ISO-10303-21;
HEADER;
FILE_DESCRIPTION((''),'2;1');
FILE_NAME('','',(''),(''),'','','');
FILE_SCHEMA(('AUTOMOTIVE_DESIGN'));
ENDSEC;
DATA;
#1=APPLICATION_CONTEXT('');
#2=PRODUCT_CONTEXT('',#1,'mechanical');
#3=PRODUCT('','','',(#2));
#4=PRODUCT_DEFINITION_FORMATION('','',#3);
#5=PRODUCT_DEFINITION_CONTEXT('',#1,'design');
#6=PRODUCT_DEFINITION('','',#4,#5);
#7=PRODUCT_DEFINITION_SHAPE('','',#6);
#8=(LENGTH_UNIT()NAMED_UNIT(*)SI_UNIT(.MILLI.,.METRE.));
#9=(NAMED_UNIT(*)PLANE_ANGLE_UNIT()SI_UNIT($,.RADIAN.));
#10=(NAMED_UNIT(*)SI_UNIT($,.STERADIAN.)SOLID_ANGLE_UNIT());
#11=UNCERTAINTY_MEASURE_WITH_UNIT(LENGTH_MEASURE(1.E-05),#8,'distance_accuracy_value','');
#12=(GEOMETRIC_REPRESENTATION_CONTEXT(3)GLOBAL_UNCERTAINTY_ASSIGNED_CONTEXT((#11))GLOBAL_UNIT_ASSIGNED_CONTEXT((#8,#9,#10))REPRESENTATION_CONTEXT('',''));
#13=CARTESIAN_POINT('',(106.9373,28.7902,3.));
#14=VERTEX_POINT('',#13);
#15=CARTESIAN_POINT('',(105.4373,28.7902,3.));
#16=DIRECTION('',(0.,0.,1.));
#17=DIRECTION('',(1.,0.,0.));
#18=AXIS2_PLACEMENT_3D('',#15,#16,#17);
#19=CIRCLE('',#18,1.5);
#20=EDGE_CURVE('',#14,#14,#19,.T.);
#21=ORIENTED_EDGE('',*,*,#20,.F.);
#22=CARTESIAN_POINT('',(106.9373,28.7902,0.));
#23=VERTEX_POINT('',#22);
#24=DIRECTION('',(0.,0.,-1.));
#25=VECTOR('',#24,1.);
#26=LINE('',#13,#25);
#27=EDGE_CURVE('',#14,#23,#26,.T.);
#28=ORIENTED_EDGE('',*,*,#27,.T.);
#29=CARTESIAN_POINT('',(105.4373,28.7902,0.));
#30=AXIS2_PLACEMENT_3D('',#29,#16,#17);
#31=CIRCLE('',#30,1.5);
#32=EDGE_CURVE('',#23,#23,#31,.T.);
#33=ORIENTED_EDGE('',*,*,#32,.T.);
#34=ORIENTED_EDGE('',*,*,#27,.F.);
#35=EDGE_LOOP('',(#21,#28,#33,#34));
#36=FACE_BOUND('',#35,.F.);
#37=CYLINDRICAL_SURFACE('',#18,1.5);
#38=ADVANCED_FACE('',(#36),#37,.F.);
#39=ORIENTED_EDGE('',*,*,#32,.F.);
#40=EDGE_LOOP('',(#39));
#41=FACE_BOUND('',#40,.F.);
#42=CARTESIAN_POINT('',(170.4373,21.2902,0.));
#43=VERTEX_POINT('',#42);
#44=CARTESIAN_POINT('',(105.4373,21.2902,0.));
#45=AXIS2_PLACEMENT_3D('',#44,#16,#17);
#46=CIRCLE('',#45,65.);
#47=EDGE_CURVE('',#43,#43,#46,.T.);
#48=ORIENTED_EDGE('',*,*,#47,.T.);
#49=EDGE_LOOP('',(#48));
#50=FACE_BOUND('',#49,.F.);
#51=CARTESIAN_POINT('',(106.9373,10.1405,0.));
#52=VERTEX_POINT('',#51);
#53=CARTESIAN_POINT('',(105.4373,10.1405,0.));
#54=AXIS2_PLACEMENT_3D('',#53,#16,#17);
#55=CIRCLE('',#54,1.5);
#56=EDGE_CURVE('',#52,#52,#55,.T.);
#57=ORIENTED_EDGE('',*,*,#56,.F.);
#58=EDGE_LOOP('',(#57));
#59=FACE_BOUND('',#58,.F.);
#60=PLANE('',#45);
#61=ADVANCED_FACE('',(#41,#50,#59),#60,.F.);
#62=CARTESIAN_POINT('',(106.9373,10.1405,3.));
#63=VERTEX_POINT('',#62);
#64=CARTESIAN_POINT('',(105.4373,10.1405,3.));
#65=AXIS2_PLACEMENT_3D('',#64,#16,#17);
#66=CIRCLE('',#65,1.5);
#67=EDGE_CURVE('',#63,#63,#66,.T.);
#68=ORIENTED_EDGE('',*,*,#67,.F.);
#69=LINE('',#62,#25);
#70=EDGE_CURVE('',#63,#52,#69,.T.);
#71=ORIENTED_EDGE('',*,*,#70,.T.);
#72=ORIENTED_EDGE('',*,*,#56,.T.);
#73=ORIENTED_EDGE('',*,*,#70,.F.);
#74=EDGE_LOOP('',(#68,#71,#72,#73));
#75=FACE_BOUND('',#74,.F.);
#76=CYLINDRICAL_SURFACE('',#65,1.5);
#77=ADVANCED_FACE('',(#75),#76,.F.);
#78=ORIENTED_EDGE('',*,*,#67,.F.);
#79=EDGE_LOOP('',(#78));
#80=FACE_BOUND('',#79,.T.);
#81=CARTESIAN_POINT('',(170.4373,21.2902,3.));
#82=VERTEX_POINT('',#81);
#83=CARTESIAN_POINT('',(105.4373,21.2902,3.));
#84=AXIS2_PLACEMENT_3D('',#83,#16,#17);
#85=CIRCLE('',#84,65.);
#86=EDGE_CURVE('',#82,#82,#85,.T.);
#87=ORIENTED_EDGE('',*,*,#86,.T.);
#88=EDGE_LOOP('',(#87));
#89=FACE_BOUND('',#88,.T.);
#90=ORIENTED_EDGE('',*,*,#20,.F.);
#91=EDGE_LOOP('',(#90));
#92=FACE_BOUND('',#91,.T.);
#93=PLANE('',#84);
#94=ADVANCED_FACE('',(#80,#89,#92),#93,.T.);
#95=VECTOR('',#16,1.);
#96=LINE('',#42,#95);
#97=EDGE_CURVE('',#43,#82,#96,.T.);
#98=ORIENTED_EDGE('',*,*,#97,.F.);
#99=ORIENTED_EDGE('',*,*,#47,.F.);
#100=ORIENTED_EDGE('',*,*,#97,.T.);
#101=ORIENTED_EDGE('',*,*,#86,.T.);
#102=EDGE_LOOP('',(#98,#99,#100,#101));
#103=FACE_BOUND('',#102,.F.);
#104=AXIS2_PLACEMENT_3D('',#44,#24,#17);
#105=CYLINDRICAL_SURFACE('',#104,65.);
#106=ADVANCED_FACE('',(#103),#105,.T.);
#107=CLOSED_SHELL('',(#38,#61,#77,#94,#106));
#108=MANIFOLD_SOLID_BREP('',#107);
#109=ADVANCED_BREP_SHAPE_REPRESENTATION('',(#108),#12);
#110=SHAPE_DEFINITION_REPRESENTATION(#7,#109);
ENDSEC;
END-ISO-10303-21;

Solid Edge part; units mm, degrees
sketch "Sketch1" plane through (0, 0, 0) normal (0, 0, 1) x (1, 0, 0)
  circle A0 centre (105.4373, 21.2902) radius 65
  dimension "D1" = 130
extrude "Protrusion1" add sketch "Sketch1" along normal blind 3
sketch "Sketch2" plane through (105.4373, 21.2902, 3) normal (0, 0, 1) x (1, 0, 0)
  circle A0 centre (0, 7.5) radius 1.5
  circle A1 centre (0, -11.1497) radius 1.5
  dimension "D1" = 3
  dimension "D2" = 7.5
  dimension "D3" = 11.1497
extrude "Cutout1" cut sketch "Sketch2" against normal through all
